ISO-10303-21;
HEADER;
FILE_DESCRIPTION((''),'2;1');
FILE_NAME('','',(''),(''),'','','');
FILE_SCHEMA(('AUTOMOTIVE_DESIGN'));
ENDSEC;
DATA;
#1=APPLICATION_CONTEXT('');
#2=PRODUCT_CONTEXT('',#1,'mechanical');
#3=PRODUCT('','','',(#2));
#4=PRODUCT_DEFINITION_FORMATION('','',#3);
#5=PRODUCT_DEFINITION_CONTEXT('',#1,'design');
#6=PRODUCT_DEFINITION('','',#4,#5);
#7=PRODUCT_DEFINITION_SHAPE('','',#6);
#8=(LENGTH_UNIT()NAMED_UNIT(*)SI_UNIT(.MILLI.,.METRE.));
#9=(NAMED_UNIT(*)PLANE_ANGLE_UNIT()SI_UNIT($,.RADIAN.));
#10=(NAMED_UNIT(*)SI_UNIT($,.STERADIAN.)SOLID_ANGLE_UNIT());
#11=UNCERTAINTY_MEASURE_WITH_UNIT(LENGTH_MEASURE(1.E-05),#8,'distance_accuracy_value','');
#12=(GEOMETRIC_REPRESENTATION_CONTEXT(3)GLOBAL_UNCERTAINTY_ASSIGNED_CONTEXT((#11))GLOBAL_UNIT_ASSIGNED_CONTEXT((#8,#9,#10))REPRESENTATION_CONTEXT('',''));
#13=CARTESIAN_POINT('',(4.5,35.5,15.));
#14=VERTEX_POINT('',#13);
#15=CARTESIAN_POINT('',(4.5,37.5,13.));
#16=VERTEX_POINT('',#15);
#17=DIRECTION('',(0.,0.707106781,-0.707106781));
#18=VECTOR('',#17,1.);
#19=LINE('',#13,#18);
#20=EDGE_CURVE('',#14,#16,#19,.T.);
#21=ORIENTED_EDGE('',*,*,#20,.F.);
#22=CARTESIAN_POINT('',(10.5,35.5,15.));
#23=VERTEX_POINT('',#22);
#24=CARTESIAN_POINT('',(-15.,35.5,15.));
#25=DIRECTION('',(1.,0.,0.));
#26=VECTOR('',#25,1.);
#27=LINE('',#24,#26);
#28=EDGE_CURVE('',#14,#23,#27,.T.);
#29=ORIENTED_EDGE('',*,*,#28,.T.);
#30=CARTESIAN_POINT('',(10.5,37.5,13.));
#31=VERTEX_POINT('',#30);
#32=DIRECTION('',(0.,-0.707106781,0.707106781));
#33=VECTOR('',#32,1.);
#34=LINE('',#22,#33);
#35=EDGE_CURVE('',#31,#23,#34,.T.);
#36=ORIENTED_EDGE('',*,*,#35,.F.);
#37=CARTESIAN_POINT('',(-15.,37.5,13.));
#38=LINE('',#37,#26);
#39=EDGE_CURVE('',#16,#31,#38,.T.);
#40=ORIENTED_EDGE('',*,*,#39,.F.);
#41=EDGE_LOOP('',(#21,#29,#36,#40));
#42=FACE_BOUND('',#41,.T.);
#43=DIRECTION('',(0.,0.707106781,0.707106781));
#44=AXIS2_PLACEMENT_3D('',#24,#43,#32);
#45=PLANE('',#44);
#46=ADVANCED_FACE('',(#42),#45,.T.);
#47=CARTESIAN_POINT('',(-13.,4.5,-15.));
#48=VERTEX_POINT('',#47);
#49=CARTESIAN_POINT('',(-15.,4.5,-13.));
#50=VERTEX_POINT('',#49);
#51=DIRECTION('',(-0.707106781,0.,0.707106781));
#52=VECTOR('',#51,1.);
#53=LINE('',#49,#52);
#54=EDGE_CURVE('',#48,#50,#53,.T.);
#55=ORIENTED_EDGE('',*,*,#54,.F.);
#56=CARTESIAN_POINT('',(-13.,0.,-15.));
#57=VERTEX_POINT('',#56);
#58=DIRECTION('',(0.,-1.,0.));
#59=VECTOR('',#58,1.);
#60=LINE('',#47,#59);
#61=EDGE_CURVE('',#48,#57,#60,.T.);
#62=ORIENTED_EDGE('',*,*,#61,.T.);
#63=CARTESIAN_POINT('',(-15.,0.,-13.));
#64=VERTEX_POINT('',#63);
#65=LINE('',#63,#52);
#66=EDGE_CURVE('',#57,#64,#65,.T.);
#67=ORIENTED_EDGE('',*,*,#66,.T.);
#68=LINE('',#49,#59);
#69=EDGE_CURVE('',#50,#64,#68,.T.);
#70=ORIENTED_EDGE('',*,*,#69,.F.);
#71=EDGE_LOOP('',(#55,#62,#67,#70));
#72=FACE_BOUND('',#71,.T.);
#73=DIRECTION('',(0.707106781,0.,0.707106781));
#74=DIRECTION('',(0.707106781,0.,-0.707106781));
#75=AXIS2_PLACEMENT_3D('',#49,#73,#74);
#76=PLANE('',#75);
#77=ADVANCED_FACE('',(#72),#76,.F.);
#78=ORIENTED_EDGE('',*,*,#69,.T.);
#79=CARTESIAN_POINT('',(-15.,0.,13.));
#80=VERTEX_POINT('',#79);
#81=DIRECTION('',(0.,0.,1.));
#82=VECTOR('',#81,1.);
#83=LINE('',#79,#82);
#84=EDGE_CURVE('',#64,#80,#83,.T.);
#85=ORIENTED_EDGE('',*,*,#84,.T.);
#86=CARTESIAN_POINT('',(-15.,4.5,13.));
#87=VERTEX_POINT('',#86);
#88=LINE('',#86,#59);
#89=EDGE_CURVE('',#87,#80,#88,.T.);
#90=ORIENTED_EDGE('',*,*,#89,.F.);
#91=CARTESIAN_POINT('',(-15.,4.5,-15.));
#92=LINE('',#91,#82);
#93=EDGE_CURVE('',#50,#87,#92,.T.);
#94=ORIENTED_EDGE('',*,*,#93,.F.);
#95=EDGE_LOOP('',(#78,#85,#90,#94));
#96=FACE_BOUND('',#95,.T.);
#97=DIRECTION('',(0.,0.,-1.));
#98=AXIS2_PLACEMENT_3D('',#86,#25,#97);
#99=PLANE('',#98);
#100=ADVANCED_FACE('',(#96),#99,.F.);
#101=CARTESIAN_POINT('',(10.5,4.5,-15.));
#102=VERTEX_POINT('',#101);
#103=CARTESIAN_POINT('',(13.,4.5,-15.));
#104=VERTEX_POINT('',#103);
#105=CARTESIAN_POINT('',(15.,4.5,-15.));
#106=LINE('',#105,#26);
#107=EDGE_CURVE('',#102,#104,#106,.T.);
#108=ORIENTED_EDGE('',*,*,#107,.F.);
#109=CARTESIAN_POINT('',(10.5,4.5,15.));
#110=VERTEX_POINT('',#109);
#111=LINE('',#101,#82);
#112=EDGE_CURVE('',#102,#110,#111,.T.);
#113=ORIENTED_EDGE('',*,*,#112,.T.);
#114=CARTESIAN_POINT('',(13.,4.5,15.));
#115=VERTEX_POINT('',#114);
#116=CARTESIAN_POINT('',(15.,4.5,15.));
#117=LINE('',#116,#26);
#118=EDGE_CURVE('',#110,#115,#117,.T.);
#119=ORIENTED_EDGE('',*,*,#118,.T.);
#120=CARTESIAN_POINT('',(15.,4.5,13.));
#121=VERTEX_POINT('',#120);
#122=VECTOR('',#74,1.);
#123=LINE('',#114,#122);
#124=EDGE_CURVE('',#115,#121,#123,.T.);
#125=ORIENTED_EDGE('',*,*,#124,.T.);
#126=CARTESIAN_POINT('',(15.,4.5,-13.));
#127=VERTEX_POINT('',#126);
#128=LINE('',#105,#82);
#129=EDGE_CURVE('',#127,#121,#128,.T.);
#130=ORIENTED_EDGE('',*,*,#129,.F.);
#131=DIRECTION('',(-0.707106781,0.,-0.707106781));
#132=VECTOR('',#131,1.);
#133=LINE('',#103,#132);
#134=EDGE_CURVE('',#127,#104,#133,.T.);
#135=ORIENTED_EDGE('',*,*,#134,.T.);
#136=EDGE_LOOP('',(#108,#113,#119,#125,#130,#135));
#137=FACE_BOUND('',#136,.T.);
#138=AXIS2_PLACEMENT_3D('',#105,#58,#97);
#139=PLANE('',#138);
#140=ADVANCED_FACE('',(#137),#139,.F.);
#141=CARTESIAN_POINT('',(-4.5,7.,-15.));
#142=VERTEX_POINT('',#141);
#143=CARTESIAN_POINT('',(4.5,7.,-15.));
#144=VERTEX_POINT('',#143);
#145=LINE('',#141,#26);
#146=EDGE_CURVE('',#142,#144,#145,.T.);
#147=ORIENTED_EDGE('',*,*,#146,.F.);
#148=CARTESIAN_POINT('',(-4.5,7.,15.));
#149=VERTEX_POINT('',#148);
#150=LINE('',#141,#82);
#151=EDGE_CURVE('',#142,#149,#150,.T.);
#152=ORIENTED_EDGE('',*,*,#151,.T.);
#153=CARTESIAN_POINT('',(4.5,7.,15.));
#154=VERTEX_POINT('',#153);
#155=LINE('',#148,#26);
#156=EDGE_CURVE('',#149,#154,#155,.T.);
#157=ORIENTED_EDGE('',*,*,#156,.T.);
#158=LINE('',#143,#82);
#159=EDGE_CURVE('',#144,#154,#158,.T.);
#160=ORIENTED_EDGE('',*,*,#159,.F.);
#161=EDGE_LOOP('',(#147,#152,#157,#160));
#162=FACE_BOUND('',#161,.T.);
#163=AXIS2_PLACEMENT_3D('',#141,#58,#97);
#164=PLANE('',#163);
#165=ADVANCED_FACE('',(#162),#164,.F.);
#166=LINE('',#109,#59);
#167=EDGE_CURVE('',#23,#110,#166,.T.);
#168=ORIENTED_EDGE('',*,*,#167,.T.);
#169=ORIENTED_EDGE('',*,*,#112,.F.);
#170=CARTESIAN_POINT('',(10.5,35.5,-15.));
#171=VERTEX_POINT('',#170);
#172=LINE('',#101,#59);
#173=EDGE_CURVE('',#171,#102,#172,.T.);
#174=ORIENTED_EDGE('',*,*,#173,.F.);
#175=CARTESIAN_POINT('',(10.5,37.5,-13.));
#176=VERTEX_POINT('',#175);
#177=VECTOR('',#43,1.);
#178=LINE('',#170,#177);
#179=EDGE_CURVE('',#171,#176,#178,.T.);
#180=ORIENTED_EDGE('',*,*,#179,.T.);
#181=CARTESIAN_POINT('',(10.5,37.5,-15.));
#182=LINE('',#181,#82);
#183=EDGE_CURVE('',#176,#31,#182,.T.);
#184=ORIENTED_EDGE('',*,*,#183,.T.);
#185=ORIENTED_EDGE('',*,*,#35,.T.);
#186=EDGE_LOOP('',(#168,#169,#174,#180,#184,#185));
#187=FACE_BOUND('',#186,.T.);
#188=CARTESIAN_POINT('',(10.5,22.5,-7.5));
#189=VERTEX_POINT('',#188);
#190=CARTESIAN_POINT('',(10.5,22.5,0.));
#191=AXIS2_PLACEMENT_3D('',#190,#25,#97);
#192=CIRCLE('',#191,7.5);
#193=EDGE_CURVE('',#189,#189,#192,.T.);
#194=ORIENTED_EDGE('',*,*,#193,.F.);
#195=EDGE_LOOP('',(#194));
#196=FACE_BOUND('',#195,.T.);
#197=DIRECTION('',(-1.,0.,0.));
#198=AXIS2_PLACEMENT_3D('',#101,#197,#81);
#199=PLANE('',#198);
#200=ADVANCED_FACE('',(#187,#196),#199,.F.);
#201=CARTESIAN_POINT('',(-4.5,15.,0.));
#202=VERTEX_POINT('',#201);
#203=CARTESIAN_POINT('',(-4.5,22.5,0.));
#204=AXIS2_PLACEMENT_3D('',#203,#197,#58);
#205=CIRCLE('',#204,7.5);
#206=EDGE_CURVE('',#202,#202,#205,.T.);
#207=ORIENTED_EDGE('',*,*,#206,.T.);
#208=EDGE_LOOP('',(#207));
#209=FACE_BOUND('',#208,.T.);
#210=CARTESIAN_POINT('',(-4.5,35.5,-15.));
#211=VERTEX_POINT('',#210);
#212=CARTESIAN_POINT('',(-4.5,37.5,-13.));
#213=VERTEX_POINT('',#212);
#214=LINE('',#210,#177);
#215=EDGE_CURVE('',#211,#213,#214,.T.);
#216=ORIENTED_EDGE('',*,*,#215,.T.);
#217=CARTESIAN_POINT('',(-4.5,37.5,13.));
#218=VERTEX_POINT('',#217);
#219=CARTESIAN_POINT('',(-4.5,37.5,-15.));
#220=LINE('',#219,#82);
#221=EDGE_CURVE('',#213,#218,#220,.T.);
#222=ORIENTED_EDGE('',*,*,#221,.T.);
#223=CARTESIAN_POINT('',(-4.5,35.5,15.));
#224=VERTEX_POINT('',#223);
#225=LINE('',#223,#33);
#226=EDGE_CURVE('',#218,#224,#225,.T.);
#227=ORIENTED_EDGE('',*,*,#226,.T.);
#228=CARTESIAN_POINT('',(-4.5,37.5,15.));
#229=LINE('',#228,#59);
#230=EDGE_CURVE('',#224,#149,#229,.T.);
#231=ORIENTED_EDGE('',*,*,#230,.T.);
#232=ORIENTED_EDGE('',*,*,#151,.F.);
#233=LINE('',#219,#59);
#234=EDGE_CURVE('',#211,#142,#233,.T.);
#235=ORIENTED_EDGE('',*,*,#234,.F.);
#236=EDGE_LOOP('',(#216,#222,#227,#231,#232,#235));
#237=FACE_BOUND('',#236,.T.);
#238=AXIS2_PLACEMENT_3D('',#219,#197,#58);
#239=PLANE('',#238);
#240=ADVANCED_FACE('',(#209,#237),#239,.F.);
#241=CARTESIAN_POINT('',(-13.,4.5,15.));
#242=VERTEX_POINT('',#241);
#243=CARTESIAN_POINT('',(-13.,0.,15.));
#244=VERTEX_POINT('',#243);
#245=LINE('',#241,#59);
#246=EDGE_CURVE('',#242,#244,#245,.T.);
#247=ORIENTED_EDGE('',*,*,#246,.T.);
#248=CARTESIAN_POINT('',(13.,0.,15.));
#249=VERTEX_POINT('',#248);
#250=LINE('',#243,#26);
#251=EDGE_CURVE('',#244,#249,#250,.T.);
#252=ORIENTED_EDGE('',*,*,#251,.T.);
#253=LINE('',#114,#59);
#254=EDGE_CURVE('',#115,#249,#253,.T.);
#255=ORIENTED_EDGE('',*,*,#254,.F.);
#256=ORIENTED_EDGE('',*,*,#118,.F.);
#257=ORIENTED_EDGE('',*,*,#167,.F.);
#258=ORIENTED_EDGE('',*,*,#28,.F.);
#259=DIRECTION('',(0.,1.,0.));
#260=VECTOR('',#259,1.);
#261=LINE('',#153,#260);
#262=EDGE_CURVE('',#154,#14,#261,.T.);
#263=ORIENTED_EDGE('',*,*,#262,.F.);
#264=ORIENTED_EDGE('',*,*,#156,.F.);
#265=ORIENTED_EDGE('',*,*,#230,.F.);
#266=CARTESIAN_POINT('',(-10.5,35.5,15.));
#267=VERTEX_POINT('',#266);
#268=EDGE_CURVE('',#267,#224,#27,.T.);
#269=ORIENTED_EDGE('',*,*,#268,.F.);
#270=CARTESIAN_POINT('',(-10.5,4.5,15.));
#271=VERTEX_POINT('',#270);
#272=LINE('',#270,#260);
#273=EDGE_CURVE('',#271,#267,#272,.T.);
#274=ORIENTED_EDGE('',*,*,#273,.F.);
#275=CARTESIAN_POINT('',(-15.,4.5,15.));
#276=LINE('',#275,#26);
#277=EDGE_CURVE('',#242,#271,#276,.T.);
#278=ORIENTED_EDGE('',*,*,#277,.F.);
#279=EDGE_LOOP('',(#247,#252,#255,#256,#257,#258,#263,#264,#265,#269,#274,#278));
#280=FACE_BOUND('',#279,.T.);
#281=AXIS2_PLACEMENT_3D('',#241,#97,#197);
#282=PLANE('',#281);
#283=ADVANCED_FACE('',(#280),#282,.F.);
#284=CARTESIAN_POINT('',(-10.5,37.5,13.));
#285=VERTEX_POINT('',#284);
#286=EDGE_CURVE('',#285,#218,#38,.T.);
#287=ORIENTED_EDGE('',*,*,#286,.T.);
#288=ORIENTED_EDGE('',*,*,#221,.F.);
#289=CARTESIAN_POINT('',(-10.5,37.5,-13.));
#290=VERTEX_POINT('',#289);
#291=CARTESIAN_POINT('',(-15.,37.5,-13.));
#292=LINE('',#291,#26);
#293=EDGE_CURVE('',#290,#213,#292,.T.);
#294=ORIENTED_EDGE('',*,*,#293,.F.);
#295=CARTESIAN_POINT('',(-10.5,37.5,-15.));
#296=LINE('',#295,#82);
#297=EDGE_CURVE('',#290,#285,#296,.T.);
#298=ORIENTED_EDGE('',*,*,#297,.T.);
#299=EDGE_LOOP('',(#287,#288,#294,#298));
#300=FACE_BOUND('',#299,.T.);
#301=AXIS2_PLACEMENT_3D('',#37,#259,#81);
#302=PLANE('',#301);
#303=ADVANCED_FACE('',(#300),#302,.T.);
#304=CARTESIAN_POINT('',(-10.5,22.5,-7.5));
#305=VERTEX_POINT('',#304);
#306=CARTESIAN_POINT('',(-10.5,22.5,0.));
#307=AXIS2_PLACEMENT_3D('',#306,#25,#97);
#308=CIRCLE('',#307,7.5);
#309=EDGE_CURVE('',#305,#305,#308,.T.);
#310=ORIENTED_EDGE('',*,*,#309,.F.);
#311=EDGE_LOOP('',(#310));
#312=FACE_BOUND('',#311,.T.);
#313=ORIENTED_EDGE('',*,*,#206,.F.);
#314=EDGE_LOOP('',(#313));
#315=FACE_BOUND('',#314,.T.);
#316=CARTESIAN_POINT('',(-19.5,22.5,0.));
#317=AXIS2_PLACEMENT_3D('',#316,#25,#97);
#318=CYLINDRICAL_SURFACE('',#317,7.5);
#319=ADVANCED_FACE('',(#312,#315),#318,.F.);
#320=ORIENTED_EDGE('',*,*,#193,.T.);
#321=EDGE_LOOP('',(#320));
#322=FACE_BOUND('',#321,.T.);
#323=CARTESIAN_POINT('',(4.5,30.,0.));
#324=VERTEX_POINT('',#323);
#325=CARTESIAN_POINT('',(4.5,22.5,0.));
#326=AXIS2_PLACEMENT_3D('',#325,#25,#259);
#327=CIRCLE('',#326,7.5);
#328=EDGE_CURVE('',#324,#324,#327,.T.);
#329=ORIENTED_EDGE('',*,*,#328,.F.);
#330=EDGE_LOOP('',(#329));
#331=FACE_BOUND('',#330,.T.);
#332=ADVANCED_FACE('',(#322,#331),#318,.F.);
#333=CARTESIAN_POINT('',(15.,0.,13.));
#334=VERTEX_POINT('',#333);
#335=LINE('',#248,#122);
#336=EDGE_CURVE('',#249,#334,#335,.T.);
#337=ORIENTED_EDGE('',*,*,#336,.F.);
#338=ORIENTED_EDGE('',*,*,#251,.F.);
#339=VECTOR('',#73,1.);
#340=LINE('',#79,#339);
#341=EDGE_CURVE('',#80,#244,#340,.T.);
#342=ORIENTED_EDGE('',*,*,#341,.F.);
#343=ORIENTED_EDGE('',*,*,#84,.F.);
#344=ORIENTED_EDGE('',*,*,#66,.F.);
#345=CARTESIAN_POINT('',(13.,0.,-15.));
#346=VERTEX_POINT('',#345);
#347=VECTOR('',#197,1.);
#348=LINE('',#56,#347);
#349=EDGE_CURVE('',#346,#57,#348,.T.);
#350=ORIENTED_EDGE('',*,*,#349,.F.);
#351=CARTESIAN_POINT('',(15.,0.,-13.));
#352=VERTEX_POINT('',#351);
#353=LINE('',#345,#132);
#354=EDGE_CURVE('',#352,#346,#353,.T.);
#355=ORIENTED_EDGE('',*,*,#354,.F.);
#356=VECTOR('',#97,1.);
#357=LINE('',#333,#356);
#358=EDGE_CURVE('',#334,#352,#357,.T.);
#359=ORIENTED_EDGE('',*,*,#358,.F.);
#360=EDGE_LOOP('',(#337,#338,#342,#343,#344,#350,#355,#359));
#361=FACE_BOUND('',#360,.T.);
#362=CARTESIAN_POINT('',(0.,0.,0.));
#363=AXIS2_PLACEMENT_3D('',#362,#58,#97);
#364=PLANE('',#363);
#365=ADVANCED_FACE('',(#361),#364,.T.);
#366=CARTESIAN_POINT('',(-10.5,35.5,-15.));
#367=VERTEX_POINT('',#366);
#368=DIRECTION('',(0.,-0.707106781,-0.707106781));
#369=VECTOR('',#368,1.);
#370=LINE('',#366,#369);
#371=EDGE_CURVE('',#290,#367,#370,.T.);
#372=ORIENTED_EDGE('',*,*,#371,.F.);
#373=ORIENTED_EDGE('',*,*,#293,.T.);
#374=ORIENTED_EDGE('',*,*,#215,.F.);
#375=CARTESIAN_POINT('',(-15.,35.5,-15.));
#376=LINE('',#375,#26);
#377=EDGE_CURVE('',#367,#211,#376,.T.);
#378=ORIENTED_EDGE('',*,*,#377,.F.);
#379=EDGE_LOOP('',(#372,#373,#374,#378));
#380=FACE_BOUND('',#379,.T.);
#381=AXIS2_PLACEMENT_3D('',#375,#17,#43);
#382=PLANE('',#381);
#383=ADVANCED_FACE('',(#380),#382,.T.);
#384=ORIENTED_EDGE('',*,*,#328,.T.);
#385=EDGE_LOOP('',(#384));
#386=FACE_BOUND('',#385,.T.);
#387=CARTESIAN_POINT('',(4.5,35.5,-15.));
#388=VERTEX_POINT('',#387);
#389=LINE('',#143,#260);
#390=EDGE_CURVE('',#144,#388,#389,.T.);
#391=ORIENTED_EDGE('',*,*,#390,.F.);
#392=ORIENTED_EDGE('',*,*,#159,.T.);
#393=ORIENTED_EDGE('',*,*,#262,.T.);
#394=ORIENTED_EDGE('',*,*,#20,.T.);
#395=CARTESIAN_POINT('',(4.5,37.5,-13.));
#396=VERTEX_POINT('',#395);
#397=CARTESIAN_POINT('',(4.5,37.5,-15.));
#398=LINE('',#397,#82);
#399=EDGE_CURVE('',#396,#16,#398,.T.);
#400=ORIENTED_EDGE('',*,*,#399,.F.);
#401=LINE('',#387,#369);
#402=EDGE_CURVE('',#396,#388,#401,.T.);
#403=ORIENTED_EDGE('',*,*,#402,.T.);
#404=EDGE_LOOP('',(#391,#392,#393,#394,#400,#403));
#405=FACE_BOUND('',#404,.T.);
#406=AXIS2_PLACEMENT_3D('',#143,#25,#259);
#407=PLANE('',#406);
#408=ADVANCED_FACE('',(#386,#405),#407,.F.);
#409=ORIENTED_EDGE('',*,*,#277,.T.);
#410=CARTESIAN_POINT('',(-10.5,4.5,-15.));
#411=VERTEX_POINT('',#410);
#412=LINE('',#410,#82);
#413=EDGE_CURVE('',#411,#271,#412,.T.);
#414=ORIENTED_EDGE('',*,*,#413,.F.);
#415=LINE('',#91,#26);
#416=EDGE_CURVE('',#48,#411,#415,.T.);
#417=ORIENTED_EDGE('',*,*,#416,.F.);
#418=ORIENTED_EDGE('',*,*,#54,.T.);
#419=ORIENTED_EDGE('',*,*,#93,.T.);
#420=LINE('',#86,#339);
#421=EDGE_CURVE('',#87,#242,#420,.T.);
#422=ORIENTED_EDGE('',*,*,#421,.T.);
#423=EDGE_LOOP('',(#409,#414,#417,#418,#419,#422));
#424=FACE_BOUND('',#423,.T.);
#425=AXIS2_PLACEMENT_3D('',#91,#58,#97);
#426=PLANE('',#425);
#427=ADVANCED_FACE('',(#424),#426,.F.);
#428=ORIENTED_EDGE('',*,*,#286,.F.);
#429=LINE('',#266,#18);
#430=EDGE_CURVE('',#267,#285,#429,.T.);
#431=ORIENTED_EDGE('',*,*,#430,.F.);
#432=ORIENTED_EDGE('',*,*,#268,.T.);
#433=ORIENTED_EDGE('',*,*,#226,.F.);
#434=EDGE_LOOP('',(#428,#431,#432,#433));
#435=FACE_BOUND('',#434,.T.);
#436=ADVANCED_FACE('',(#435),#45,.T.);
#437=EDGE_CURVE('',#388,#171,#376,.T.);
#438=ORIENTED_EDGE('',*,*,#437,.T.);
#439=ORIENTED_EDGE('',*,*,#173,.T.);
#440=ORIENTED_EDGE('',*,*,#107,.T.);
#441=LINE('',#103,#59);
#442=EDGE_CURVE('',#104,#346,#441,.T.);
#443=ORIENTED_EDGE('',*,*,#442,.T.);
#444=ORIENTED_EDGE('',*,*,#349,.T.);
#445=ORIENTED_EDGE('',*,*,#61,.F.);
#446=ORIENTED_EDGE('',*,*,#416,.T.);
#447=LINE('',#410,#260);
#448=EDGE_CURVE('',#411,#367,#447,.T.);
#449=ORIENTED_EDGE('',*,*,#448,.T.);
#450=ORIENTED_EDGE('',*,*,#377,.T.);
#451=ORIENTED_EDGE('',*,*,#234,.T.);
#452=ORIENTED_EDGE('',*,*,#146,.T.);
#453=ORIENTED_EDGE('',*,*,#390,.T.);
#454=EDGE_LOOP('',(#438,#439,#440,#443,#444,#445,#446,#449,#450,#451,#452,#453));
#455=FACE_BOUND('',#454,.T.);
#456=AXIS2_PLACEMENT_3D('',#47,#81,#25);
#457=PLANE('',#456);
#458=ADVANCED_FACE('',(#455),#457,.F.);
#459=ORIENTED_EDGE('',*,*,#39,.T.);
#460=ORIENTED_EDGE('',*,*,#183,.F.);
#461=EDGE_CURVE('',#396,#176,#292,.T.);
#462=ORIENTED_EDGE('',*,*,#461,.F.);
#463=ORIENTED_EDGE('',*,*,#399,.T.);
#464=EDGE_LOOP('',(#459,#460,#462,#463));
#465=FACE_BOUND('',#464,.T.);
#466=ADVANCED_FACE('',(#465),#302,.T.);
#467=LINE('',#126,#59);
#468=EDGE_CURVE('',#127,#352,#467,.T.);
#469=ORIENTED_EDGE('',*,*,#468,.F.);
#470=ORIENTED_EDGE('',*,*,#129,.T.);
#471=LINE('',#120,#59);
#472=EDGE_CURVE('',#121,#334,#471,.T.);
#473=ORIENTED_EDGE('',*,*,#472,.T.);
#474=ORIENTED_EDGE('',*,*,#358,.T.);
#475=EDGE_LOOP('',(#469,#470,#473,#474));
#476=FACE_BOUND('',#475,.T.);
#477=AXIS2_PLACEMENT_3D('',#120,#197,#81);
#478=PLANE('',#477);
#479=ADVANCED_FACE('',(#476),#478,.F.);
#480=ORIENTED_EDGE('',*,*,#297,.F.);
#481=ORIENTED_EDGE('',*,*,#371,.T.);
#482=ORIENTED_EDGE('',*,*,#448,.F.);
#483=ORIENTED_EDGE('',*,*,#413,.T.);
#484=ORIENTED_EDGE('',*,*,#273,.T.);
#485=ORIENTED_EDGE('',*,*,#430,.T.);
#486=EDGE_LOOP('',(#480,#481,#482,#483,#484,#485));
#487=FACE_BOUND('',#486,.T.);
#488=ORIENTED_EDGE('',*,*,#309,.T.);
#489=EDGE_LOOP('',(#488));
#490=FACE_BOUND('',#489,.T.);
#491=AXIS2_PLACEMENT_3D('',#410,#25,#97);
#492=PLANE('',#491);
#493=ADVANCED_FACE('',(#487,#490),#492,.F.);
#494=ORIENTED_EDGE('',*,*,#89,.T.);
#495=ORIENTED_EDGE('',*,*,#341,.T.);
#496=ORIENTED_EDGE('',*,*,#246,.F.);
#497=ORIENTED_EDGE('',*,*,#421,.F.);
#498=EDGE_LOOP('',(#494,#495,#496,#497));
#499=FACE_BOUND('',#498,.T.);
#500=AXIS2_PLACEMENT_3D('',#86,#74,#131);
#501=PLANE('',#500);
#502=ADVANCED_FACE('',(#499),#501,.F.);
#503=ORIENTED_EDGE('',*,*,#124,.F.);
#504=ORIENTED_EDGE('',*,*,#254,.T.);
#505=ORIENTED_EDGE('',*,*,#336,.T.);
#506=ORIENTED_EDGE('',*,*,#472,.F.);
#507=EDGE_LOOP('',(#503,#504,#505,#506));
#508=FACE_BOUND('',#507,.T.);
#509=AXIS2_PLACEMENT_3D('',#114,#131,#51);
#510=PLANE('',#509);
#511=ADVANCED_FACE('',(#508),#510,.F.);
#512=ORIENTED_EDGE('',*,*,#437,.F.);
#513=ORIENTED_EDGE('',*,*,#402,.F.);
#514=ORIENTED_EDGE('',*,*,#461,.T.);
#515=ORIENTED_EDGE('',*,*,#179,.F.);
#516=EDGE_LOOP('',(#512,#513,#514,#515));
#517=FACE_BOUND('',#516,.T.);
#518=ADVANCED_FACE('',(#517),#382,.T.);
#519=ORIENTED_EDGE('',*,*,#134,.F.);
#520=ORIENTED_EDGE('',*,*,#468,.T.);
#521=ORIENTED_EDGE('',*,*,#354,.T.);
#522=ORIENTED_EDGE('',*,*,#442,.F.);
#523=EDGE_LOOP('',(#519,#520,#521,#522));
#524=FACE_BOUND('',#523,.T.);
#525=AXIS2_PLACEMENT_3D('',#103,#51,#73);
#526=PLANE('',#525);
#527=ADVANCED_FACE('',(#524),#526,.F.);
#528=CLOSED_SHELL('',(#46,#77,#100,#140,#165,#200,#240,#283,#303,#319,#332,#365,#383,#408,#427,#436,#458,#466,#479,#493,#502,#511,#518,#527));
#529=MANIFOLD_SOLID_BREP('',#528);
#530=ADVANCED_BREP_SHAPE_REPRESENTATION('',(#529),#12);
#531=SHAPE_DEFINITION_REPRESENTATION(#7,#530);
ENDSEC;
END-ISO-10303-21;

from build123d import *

# Parameters (mm, degrees)
EXTRUDE_1_DEPTH     = 4.5
EXTRUDE_2_DEPTH     = 30
SKETCH_3_W          = 4.5
SKETCH_3_H          = 33
SKETCH_3_W_2        = 9
SKETCH_3_H_2        = 30.5
CUT_EXTRUDE_1_DEPTH = 30
SKETCH_4_R          = 7.5
CUT_EXTRUDE_2_DEPTH = 30


with BuildPart() as part:
    # 草图1 → 凸台-拉伸1 (new body)
    with BuildSketch(Plane(origin=(0, 0, 0), x_dir=(1, 0, 0), z_dir=(0, 1, 0))):
        Polygon((-15, 13), (-13, 15), (13, 15), (15, 13), (15, -13), (13, -15), (-13, -15), (-15, -13), align=None)
    extrude(amount=EXTRUDE_1_DEPTH)

    # 草图2 → 凸台-拉伸2 (add)
    with BuildSketch(Plane(origin=(15, 0, 0), x_dir=(0, 0, -1), z_dir=(1, 0, 0))):
        Polygon((-15, 4.5), (-15, 35.5), (-13, 37.5), (13, 37.5), (15, 35.5), (15, 4.5), align=None)
    extrude(amount=-EXTRUDE_2_DEPTH)

    # 草图3 → 切除-拉伸1 (cut)
    with BuildSketch(Plane.XY.offset(15)):
        with Locations((-12.75, 21)):
            Rectangle(SKETCH_3_W, SKETCH_3_H)
        with Locations((12.75, 21)):
            Rectangle(SKETCH_3_W, SKETCH_3_H)
        with Locations((0, 22.25)):
            Rectangle(SKETCH_3_W_2, SKETCH_3_H_2)
    extrude(amount=-CUT_EXTRUDE_1_DEPTH, mode=Mode.SUBTRACT)

    # 草图4 → 切除-拉伸2 (cut)
    with BuildSketch(Plane(origin=(10.5, 0, 0), x_dir=(0, 0, -1), z_dir=(1, 0, 0))):
        with Locations((0, 22.5)):
            Circle(SKETCH_4_R)
    extrude(amount=-CUT_EXTRUDE_2_DEPTH, mode=Mode.SUBTRACT)


solid = part.part
